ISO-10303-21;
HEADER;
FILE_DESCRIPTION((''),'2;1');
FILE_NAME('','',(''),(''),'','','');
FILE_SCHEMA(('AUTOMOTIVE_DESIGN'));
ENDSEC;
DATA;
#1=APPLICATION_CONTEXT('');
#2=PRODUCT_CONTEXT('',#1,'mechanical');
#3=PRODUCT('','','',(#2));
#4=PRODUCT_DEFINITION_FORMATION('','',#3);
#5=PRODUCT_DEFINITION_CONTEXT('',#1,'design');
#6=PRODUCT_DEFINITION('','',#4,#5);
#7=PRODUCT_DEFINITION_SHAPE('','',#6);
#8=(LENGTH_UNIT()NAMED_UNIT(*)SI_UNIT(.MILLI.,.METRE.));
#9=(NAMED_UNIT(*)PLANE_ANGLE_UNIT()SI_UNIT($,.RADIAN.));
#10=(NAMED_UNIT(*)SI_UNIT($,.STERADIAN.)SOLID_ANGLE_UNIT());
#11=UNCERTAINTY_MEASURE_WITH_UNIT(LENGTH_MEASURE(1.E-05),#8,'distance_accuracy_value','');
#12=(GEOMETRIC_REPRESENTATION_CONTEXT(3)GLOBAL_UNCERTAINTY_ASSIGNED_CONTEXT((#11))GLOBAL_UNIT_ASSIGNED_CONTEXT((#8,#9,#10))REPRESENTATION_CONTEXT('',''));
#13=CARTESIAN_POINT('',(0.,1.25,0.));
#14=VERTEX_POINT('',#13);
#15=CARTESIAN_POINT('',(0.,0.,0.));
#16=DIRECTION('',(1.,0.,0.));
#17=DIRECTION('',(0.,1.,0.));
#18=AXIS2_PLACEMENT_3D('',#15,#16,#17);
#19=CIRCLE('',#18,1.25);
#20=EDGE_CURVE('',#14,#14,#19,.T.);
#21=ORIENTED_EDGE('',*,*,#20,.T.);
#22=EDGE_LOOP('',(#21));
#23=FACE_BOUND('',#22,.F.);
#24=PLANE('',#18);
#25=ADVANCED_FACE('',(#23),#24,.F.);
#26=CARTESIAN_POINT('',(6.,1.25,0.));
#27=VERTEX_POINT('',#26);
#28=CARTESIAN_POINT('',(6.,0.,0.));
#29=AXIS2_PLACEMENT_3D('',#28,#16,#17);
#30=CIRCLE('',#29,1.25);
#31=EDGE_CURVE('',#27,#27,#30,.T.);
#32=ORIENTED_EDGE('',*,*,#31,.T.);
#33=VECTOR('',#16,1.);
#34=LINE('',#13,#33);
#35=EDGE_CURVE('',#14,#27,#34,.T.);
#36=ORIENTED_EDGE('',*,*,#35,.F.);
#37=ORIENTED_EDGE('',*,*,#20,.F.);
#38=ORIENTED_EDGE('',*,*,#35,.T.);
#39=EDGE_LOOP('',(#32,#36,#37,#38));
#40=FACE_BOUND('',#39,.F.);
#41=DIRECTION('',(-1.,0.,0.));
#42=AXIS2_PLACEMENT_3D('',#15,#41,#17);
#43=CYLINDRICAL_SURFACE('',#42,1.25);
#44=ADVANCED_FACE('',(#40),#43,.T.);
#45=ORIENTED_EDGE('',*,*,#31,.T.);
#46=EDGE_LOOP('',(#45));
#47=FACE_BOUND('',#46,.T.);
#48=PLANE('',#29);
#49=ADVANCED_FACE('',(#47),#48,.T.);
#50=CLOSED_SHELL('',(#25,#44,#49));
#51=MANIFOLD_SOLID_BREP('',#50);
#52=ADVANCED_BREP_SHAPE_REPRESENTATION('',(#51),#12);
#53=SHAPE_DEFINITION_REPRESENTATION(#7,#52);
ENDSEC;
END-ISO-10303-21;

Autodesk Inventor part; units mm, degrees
ref_plane "YZ Plane" through (0, 0, 0) normal (1, 0, 0) x (0, 1, 0)
ref_plane "XZ Plane" through (0, 0, 0) normal (0, 1, 0) x (-1, 0, 0)
ref_plane "XY Plane" through (0, 0, 0) normal (0, 0, 1) x (1, 0, 0)
sketch "スケッチ1" plane through (0, 0, 0) normal (1, 0, 0) x (0, 1, 0)
  circle A0 centre (0, 0) radius 1.25
  dimension "d0" = 2.5
extrude "押し出し1" add sketch "スケッチ1" along normal blind 6
properties part number "NockPin_2.5x6"
